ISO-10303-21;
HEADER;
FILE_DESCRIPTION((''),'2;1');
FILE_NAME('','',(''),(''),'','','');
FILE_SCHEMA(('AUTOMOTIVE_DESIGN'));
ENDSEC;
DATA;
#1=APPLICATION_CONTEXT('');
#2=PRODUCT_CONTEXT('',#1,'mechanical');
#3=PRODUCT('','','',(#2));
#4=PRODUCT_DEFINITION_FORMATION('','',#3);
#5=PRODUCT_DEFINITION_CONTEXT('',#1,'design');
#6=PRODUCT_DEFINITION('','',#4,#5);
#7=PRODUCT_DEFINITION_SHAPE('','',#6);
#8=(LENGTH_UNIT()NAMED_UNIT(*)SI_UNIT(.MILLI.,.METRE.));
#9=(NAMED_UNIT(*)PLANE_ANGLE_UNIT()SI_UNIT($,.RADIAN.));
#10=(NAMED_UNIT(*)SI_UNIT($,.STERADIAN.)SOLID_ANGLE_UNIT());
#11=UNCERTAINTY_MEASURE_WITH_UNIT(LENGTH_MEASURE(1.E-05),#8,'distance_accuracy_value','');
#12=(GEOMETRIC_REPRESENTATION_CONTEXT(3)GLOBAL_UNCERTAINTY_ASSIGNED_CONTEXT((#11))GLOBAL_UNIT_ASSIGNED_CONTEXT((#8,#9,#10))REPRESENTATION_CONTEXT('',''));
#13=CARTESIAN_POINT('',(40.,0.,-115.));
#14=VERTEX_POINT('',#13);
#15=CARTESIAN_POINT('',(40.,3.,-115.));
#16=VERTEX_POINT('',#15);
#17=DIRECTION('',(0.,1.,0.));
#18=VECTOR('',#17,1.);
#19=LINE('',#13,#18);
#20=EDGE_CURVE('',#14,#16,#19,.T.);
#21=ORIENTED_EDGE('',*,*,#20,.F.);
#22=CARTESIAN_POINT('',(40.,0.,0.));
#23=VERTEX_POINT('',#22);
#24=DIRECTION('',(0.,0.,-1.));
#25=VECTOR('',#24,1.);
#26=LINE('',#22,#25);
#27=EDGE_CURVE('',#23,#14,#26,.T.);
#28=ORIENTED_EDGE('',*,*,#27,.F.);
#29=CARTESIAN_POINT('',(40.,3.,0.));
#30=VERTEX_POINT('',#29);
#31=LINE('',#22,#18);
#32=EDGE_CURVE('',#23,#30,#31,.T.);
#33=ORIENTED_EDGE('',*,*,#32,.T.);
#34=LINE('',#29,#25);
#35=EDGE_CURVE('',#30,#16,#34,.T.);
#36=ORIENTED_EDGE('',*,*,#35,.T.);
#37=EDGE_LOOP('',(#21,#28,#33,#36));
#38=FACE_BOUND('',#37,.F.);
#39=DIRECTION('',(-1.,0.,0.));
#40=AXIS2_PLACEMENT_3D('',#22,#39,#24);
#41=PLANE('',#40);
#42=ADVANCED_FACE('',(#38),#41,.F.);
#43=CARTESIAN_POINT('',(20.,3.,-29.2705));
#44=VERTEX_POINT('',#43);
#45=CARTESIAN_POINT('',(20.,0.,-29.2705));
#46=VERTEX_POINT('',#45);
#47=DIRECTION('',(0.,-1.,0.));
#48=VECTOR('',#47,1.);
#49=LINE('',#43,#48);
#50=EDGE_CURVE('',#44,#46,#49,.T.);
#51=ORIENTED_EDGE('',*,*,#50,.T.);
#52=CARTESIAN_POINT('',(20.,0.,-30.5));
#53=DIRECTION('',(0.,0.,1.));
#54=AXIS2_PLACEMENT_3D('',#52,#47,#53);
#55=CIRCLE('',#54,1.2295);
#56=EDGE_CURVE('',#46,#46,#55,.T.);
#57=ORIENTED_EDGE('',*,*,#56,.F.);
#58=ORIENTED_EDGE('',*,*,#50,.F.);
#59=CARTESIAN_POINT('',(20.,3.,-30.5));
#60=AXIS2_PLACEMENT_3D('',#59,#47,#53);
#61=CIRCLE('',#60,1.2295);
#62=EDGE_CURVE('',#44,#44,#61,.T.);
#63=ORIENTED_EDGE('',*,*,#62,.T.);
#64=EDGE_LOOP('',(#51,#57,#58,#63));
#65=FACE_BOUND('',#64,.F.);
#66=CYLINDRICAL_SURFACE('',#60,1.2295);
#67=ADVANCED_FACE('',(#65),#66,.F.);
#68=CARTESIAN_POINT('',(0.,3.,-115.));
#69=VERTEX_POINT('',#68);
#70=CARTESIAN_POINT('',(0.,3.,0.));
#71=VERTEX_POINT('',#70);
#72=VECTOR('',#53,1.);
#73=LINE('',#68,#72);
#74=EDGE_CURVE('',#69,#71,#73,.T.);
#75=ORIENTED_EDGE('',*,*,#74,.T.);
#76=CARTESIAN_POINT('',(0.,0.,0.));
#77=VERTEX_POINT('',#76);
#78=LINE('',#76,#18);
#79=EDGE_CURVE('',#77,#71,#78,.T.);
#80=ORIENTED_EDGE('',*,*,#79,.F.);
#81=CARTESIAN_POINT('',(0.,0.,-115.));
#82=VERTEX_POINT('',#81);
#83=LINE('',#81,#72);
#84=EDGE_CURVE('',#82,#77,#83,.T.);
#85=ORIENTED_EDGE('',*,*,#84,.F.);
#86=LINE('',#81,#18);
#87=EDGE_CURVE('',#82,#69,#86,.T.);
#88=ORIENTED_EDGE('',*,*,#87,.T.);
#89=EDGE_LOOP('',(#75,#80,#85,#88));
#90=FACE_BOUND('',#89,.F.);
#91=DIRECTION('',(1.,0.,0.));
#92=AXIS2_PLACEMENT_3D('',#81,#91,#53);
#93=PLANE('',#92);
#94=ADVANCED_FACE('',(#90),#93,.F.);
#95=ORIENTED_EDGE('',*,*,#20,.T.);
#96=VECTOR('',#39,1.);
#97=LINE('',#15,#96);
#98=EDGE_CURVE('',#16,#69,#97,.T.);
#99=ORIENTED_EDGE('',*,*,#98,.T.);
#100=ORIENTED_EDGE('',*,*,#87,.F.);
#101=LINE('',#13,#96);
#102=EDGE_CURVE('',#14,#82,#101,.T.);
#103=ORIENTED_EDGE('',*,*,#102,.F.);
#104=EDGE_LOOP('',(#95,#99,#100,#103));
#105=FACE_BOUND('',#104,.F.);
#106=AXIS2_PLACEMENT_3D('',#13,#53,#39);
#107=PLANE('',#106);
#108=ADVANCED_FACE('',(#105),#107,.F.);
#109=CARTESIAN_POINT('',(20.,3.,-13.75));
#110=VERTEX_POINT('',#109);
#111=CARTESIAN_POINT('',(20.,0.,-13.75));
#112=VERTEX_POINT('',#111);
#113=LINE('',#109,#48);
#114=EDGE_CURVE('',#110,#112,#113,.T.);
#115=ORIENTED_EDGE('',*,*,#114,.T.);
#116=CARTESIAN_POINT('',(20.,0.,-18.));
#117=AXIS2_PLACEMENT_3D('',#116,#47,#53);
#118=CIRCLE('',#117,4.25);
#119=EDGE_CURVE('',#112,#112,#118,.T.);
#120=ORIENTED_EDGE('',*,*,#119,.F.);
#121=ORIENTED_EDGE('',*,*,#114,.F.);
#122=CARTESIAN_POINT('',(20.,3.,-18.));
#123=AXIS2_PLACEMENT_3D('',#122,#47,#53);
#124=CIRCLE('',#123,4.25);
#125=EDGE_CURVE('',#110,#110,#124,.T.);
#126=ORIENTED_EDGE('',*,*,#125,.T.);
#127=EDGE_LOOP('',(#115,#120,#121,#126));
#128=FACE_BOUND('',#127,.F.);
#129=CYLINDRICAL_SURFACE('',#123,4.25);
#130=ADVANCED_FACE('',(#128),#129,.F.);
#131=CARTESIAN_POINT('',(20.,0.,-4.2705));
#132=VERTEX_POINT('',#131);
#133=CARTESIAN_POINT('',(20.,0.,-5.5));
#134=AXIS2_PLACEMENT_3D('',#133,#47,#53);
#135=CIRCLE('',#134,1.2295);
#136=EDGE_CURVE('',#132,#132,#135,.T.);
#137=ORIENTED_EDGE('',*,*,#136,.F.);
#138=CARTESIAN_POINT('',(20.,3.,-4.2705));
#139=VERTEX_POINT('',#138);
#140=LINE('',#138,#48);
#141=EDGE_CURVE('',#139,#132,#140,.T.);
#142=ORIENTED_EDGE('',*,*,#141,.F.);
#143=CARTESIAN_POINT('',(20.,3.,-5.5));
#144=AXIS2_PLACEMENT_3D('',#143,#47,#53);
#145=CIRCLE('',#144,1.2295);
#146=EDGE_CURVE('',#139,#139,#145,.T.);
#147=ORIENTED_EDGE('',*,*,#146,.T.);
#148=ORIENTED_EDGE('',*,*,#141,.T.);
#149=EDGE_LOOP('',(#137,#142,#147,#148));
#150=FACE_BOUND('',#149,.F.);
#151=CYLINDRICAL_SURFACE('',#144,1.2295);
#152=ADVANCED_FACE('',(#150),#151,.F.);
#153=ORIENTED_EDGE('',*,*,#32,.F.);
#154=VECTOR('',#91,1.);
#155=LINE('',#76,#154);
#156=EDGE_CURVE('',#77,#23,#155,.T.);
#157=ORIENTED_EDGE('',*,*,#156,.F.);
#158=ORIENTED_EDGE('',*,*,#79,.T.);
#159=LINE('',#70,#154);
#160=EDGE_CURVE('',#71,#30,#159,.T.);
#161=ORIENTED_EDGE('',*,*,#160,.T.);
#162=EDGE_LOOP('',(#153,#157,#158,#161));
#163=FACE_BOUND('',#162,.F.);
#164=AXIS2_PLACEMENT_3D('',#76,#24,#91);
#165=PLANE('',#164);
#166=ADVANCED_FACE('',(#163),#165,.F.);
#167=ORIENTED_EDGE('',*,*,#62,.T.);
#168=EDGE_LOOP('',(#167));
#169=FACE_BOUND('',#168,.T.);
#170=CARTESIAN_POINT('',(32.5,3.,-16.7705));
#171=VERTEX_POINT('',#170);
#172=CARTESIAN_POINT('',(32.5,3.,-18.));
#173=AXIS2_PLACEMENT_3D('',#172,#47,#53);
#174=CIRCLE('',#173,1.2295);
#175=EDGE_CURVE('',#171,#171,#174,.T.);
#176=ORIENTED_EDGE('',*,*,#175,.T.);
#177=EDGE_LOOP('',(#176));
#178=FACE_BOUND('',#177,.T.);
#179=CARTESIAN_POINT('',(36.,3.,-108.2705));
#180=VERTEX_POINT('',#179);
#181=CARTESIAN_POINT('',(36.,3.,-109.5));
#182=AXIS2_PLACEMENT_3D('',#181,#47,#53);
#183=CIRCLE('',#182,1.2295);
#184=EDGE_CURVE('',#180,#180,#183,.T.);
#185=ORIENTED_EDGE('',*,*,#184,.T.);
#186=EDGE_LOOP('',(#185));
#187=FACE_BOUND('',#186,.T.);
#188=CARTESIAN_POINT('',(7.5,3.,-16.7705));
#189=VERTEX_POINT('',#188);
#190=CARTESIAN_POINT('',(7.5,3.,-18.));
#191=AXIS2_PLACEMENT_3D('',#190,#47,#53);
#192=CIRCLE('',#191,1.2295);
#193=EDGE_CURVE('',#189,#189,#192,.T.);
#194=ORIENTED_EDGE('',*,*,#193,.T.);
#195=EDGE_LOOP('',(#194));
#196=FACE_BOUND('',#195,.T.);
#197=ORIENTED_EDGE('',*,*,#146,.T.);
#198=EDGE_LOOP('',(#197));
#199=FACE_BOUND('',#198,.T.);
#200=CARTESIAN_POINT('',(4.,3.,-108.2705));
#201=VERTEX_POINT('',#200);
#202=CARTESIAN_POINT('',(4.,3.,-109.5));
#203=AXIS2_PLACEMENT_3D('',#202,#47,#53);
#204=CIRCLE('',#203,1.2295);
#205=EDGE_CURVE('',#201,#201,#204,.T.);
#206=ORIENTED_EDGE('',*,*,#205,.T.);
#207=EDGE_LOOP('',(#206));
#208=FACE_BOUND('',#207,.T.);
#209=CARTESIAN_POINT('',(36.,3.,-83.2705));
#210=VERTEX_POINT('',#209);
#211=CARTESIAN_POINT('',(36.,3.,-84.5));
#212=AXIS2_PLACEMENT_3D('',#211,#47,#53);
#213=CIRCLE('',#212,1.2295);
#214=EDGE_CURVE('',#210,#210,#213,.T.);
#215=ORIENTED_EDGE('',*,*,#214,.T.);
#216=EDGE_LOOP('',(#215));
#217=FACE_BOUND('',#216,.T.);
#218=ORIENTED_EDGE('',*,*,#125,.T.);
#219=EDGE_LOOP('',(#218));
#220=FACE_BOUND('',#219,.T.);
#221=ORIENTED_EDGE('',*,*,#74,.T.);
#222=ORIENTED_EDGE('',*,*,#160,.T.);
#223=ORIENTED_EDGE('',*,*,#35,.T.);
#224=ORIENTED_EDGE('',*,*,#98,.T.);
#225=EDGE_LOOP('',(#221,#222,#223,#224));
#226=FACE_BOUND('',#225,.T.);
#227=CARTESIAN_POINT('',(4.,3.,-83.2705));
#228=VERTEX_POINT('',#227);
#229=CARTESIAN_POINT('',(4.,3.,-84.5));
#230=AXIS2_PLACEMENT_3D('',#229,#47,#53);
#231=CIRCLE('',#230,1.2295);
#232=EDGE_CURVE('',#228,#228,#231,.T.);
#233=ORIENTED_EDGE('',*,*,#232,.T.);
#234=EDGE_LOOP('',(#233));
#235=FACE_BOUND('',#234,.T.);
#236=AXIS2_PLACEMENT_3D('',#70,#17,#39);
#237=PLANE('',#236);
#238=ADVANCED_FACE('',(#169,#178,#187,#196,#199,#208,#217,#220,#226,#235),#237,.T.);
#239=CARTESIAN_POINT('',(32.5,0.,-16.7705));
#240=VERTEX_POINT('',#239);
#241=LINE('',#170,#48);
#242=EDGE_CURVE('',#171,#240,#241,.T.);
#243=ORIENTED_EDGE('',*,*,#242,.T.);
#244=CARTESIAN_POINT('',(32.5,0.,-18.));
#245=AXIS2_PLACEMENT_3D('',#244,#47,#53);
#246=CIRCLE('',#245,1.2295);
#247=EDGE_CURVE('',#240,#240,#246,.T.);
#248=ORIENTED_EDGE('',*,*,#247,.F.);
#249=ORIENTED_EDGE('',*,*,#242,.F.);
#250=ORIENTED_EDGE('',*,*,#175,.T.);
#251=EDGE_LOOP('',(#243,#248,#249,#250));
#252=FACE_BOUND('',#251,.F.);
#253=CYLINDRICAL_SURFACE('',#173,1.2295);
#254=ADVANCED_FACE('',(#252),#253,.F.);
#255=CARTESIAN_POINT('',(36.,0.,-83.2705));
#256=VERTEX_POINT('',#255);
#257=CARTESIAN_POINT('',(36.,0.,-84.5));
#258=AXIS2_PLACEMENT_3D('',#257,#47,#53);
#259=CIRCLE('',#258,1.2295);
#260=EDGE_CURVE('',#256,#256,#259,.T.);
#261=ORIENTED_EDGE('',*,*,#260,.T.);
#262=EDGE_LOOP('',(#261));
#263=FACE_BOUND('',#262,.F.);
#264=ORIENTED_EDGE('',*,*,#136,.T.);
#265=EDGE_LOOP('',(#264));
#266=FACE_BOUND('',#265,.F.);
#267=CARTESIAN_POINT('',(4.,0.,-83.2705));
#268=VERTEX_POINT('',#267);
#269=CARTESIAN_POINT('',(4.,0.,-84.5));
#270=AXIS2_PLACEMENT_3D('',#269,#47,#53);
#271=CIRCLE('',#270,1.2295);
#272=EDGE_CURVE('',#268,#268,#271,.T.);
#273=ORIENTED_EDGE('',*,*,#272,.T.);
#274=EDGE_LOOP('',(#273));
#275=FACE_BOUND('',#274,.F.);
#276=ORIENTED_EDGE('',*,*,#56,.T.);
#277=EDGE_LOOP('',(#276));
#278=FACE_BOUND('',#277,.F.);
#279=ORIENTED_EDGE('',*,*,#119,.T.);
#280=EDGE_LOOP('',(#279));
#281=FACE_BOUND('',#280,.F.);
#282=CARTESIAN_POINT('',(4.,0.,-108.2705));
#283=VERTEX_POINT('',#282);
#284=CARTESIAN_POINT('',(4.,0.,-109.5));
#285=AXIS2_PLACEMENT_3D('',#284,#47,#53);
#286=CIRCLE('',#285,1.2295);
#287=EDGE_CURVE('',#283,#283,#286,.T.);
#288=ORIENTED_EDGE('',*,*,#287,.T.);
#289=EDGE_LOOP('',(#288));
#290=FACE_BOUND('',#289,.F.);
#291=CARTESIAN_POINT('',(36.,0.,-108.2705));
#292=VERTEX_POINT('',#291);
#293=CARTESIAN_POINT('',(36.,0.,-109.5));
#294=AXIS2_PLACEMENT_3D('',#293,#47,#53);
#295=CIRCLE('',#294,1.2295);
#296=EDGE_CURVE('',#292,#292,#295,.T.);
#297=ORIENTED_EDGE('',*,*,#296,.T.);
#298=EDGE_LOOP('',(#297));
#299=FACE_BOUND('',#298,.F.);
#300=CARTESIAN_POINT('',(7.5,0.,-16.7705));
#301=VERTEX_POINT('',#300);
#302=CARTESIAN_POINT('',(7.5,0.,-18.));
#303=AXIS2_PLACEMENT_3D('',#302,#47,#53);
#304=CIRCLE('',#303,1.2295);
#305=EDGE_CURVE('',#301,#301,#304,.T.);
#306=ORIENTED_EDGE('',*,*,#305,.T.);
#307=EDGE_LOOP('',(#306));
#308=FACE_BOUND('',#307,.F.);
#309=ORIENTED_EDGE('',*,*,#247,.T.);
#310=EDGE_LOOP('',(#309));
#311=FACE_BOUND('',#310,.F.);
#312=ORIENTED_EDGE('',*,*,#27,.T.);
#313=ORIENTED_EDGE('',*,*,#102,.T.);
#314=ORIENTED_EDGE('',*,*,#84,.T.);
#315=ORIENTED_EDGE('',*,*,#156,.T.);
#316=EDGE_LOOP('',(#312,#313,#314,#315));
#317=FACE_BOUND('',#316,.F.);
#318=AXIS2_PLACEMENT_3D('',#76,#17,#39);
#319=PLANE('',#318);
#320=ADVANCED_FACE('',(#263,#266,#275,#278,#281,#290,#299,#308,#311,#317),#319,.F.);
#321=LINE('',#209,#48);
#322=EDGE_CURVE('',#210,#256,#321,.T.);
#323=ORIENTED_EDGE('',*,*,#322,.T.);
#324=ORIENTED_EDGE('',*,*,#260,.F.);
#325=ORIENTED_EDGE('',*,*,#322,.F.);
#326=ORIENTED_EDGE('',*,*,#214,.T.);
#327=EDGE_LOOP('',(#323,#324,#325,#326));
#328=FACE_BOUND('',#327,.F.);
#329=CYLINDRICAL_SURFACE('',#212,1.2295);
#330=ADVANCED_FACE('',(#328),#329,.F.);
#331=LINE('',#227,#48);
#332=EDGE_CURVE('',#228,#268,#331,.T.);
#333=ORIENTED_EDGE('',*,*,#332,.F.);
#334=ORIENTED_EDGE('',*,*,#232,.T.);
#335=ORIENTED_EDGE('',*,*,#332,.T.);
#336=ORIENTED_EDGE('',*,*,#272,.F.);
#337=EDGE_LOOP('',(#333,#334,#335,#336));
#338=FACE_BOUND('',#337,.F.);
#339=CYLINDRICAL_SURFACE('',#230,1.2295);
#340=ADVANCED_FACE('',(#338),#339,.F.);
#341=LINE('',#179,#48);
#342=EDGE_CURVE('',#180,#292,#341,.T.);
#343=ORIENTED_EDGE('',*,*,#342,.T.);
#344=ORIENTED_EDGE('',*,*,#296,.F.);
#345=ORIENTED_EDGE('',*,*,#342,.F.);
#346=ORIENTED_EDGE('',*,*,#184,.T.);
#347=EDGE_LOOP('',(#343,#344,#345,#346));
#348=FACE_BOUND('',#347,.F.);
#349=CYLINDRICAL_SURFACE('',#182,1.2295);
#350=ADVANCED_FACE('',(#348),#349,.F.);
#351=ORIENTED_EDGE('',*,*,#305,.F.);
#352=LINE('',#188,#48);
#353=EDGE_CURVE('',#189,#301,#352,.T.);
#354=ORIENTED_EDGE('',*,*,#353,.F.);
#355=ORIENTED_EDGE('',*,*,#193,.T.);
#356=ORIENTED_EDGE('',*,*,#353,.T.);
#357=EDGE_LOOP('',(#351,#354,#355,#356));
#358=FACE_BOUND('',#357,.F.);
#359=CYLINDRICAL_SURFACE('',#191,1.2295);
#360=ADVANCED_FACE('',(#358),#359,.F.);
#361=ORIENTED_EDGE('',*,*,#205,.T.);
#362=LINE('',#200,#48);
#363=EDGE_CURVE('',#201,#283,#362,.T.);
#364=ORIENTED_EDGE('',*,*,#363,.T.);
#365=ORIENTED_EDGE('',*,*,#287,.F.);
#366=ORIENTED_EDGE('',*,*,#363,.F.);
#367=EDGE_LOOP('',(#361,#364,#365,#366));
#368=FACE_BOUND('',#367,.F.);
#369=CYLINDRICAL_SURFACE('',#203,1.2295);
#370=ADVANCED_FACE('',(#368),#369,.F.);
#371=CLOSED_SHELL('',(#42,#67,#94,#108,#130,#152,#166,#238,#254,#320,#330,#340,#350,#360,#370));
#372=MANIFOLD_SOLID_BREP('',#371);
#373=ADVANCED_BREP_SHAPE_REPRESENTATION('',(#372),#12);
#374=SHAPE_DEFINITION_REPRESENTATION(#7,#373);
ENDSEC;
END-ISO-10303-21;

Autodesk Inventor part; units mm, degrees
ref_plane "YZ Plane" through (0, 0, 0) normal (1, 0, 0) x (0, 1, 0)
ref_plane "XZ Plane" through (0, 0, 0) normal (0, 1, 0) x (-1, 0, 0)
ref_plane "XY Plane" through (0, 0, 0) normal (0, 0, 1) x (1, 0, 0)
sketch "スケッチ1" plane through (0, 0, 0) normal (0, 1, 0) x (-1, 0, 0)
  line L0 (0, 0) -> (-40, 0)
  line L1 (-40, 0) -> (-40, -115)
  line L2 (-40, -115) -> (0, -115)
  line L3 (0, -115) -> (0, 0)
  dimension "d0" = 40
  dimension "d1" = 115
extrude "押し出し1" add sketch "スケッチ1" along normal blind 3
sketch "スケッチ2" plane through (0, 3, 0) normal (0, 1, 0) x (1, 0, 0)
  line L0 (0, 0) -> (40, 0) construction
  line L1 (20, 0) -> (20, 115) construction
  line L2 (40, 115) -> (0, 115) construction
  point P0 (20, 18)
  dimension "d4" = 18
hole "穴1" at (20, 3, -18) direction (0, -1, 0) diameter 8.5 end through all
sketch "スケッチ3" plane through (0, 3, 0) normal (0, 1, 0) x (1, 0, 0)
  circle A0 centre (20, 18) radius 4.25 construction
  circle A1 centre (20, 18) radius 12.5 construction
  point P0 (0, 0)
  point P1 (7.5, 18)
  point P2 (20, 5.5)
  point P3 (32.5, 18)
  point P4 (20, 30.5)
  dimension "d12" = 25
  dimension "d15" = 360
hole "穴2" at (7.5, 3, -18) at (20, 3, -5.5) at (32.5, 3, -18) at (20, 3, -30.5) direction (0, -1, 0) diameter 2.459 end through all thread size "M3x0.5" class "6H" standard "ISO Metric profile"
sketch "スケッチ4" plane through (0, 3, 0) normal (0, 1, 0) x (1, 0, 0)
  line L0 (40, 115) -> (0, 115) construction
  line L1 (0, 115) -> (40, 115) construction
  line L2 (40, 115) -> (40, 110) construction
  line L3 (40, 110) -> (0, 110) construction
  line L4 (0, 110) -> (0, 115) construction
  line L5 (0, 115) -> (0, 0) projected
  line L6 (0, 112.5) -> (40, 112.5) construction
  line L7 (40, 0) -> (40, 115) projected
  line L8 (0, 115) -> (0, 0) construction
  line L9 (40, 85) -> (0, 85) construction
  line L10 (0, 85) -> (0, 90) construction
  line L11 (0, 90) -> (40, 90) construction
  line L12 (40, 90) -> (40, 85) construction
  line L13 (40, 87.5) -> (0, 87.5) construction
  point P0 (4, 112.5)
  point P1 (36, 112.5)
  point P2 (36, 87.5)
  point P3 (4, 87.5)
  dimension "d25" = 5
  dimension "d26" = 4
  dimension "d27" = 4
  dimension "d35" = 5
  dimension "d36" = 25
hole "穴3" [suppressed]
sketch "スケッチ5" plane through (0, 3, 0) normal (0, 1, 0) x (1, 0, 0)
  line L0 (36, 84.5) -> (4, 84.5) construction
  line L1 (4, 84.5) -> (4, 109.5) construction
  line L2 (4, 109.5) -> (36, 109.5) construction
  line L3 (36, 109.5) -> (36, 84.5) construction
  line L4 (40, 0) -> (40, 115) construction
  line L5 (0, 115) -> (0, 0) construction
  line L6 (40, 115) -> (0, 115) construction
  dimension "d37" = 4
  dimension "d38" = 4
  dimension "d39" = 5.5
  dimension "d40" = 25
hole "穴4" at (36, 3, -84.5) at (36, 3, -109.5) at (4, 3, -109.5) at (4, 3, -84.5) direction (0, -1, 0) diameter 2.459 end through all thread size "M3x0.5" class "6H" standard "ISO Metric profile"
properties part number "shoulder1_upper_cover" material "アルミニウム 5052"
